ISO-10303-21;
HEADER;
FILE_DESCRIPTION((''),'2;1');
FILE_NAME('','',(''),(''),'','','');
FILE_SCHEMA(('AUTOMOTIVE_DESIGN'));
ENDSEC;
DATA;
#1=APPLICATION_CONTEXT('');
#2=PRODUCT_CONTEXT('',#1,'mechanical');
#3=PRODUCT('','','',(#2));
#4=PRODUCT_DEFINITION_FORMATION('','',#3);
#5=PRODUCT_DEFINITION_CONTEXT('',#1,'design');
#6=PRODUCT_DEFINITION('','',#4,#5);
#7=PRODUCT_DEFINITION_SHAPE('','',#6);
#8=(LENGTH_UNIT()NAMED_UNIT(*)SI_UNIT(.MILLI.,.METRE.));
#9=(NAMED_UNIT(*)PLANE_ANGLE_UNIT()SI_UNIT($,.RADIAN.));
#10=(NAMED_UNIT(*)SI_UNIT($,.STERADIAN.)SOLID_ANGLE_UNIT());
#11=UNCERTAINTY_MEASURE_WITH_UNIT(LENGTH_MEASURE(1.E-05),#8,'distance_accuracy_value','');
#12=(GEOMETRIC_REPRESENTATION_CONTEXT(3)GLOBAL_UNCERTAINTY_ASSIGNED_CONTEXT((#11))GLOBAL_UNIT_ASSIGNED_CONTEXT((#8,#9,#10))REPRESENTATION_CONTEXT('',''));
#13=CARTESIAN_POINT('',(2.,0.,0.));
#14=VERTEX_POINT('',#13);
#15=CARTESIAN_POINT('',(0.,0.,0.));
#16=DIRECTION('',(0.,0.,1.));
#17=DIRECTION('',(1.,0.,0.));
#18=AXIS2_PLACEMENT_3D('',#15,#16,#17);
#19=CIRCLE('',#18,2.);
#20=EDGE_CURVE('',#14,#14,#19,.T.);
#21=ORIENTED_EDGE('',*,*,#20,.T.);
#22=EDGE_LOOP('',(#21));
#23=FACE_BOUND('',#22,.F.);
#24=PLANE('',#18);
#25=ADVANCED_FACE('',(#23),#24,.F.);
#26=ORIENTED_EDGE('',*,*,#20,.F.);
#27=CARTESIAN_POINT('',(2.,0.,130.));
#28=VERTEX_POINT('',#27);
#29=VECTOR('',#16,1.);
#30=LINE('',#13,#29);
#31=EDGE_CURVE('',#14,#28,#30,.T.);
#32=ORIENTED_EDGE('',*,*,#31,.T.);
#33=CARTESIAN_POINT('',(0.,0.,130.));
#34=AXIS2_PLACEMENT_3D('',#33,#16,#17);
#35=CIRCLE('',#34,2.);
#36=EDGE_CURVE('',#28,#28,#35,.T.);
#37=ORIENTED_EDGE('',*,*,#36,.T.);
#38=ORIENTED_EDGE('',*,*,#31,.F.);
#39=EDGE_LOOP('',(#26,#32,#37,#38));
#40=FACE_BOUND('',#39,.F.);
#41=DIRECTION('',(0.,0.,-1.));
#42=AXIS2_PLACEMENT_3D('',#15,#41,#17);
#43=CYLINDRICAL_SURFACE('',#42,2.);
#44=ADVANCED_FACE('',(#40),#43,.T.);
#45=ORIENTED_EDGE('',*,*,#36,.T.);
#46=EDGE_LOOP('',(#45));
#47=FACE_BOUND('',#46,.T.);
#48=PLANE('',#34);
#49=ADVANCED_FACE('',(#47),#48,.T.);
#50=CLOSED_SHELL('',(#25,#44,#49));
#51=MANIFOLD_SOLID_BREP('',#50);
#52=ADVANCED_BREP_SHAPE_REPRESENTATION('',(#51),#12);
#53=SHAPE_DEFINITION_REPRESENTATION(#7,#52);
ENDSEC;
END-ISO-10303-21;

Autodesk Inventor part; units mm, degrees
ref_plane "YZ Plane" through (0, 0, 0) normal (1, 0, 0) x (0, 1, 0)
ref_plane "XZ Plane" through (0, 0, 0) normal (0, 1, 0) x (-1, 0, 0)
ref_plane "XY Plane" through (0, 0, 0) normal (0, 0, 1) x (1, 0, 0)
sketch "Sketch5" plane through (0, 0, 0) normal (0, 0, 1) x (1, 0, 0)
  circle A0 centre (0, 0) radius 2
  dimension "d11" = 4
extrude "Extrusion4" add sketch "Sketch5" along normal blind 130
properties part number "4mm x 130mm Rod"
